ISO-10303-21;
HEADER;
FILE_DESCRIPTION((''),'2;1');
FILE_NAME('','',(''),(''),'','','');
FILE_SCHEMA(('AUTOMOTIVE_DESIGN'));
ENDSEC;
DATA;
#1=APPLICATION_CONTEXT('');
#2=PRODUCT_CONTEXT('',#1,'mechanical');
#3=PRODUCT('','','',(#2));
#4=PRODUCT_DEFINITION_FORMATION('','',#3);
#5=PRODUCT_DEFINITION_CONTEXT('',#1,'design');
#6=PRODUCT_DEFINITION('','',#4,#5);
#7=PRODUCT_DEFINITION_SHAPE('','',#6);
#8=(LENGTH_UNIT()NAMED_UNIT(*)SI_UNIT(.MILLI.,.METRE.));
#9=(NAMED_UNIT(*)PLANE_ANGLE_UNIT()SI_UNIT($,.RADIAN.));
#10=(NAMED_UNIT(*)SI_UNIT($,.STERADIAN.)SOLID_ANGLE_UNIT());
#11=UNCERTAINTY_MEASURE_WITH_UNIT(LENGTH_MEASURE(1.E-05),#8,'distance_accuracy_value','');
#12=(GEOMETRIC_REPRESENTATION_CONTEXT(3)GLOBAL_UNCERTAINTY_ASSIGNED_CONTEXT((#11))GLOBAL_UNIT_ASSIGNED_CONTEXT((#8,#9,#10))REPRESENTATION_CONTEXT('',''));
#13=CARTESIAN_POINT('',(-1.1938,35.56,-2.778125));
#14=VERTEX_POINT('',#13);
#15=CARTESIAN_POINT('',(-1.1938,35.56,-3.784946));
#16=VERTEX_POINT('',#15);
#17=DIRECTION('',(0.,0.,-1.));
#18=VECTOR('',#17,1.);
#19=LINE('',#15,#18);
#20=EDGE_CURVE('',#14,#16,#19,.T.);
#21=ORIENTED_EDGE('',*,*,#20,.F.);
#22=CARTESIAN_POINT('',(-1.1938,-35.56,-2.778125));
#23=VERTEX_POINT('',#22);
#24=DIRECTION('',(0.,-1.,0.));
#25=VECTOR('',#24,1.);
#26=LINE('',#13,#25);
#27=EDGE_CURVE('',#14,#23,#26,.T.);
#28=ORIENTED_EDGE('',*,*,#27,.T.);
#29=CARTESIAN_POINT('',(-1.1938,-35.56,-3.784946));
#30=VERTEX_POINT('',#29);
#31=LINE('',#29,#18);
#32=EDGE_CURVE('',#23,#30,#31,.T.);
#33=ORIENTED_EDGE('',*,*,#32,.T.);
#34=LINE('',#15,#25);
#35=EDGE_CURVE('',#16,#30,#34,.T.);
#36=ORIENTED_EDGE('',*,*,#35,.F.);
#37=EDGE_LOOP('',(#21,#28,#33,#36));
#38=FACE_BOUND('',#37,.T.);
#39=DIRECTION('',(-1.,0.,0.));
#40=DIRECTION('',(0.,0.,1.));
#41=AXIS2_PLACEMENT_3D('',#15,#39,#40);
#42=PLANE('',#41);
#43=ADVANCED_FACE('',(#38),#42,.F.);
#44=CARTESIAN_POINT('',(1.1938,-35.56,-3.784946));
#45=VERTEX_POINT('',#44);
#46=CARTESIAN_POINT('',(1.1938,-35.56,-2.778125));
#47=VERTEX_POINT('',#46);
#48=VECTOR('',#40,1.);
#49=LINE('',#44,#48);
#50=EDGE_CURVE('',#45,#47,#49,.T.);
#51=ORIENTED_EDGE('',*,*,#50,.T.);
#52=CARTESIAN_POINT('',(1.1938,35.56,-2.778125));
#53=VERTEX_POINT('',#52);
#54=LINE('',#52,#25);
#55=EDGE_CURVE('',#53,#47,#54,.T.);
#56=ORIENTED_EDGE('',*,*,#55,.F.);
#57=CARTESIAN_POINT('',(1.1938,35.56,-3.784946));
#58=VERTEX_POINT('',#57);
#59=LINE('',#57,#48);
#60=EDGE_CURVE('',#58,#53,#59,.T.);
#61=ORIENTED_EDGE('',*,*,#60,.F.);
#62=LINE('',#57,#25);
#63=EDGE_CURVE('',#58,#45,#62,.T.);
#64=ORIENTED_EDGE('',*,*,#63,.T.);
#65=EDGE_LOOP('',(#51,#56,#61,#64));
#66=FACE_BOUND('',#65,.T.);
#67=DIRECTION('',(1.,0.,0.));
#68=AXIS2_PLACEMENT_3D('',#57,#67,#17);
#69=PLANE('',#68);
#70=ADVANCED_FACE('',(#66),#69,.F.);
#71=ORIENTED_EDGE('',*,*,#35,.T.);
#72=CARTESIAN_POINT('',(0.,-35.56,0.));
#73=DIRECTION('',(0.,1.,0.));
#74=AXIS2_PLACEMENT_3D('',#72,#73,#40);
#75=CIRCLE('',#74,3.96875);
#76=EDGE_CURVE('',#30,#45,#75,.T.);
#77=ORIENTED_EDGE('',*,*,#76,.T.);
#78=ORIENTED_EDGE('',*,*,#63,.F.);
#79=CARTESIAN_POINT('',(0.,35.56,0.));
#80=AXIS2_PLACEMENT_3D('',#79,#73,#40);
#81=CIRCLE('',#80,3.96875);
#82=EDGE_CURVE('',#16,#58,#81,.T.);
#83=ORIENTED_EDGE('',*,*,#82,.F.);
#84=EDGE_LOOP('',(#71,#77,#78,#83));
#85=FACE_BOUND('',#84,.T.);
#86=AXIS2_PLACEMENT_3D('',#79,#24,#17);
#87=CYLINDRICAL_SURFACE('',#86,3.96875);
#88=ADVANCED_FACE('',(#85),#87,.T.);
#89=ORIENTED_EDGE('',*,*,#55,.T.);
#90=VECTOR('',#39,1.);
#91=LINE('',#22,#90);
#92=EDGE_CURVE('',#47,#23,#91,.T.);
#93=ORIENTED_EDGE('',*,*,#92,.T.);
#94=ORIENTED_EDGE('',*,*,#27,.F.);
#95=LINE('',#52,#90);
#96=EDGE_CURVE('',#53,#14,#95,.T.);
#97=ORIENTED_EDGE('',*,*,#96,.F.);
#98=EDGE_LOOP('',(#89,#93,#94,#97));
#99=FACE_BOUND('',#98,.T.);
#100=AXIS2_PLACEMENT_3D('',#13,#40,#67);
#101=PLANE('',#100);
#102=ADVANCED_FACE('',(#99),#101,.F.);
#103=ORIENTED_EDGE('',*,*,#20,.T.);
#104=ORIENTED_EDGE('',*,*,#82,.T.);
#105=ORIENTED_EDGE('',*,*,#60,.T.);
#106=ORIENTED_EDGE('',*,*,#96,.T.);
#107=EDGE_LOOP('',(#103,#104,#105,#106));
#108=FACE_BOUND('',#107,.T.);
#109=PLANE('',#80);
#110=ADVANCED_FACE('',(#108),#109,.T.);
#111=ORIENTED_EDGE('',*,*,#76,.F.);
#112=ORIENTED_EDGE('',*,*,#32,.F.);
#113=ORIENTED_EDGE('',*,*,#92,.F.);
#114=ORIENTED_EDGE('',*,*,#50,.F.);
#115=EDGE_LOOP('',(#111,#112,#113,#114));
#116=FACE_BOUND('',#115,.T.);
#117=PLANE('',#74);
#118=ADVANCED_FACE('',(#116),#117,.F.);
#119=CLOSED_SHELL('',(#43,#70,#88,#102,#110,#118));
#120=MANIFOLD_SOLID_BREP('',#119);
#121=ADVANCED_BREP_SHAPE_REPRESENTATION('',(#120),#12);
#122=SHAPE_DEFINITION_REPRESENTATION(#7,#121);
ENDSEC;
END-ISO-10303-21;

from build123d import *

# Parameters (mm, degrees)
BOSS_EXTRUDE1_DEPTH = 35.56


with BuildPart() as part:
    # Sketch1 → Boss-Extrude1 (new, symmetric)
    with BuildSketch(Plane(origin=(0, 0, 0), x_dir=(1, 0, 0), z_dir=(0, 1, 0))):
        with BuildLine():
            Line((-1.1938, 3.784946251), (-1.1938, 2.778125))
            Line((-1.1938, 2.778125), (0, 2.778125))
            Line((0, 2.778125), (1.1938, 2.778125))
            Line((1.1938, 2.778125), (1.1938, 3.784946251))
            ThreePointArc((1.1938, 3.784946251), (0, -3.96875), (-1.1938, 3.784946251))
        make_face()
    extrude(amount=BOSS_EXTRUDE1_DEPTH, both=True)


solid = part.part
